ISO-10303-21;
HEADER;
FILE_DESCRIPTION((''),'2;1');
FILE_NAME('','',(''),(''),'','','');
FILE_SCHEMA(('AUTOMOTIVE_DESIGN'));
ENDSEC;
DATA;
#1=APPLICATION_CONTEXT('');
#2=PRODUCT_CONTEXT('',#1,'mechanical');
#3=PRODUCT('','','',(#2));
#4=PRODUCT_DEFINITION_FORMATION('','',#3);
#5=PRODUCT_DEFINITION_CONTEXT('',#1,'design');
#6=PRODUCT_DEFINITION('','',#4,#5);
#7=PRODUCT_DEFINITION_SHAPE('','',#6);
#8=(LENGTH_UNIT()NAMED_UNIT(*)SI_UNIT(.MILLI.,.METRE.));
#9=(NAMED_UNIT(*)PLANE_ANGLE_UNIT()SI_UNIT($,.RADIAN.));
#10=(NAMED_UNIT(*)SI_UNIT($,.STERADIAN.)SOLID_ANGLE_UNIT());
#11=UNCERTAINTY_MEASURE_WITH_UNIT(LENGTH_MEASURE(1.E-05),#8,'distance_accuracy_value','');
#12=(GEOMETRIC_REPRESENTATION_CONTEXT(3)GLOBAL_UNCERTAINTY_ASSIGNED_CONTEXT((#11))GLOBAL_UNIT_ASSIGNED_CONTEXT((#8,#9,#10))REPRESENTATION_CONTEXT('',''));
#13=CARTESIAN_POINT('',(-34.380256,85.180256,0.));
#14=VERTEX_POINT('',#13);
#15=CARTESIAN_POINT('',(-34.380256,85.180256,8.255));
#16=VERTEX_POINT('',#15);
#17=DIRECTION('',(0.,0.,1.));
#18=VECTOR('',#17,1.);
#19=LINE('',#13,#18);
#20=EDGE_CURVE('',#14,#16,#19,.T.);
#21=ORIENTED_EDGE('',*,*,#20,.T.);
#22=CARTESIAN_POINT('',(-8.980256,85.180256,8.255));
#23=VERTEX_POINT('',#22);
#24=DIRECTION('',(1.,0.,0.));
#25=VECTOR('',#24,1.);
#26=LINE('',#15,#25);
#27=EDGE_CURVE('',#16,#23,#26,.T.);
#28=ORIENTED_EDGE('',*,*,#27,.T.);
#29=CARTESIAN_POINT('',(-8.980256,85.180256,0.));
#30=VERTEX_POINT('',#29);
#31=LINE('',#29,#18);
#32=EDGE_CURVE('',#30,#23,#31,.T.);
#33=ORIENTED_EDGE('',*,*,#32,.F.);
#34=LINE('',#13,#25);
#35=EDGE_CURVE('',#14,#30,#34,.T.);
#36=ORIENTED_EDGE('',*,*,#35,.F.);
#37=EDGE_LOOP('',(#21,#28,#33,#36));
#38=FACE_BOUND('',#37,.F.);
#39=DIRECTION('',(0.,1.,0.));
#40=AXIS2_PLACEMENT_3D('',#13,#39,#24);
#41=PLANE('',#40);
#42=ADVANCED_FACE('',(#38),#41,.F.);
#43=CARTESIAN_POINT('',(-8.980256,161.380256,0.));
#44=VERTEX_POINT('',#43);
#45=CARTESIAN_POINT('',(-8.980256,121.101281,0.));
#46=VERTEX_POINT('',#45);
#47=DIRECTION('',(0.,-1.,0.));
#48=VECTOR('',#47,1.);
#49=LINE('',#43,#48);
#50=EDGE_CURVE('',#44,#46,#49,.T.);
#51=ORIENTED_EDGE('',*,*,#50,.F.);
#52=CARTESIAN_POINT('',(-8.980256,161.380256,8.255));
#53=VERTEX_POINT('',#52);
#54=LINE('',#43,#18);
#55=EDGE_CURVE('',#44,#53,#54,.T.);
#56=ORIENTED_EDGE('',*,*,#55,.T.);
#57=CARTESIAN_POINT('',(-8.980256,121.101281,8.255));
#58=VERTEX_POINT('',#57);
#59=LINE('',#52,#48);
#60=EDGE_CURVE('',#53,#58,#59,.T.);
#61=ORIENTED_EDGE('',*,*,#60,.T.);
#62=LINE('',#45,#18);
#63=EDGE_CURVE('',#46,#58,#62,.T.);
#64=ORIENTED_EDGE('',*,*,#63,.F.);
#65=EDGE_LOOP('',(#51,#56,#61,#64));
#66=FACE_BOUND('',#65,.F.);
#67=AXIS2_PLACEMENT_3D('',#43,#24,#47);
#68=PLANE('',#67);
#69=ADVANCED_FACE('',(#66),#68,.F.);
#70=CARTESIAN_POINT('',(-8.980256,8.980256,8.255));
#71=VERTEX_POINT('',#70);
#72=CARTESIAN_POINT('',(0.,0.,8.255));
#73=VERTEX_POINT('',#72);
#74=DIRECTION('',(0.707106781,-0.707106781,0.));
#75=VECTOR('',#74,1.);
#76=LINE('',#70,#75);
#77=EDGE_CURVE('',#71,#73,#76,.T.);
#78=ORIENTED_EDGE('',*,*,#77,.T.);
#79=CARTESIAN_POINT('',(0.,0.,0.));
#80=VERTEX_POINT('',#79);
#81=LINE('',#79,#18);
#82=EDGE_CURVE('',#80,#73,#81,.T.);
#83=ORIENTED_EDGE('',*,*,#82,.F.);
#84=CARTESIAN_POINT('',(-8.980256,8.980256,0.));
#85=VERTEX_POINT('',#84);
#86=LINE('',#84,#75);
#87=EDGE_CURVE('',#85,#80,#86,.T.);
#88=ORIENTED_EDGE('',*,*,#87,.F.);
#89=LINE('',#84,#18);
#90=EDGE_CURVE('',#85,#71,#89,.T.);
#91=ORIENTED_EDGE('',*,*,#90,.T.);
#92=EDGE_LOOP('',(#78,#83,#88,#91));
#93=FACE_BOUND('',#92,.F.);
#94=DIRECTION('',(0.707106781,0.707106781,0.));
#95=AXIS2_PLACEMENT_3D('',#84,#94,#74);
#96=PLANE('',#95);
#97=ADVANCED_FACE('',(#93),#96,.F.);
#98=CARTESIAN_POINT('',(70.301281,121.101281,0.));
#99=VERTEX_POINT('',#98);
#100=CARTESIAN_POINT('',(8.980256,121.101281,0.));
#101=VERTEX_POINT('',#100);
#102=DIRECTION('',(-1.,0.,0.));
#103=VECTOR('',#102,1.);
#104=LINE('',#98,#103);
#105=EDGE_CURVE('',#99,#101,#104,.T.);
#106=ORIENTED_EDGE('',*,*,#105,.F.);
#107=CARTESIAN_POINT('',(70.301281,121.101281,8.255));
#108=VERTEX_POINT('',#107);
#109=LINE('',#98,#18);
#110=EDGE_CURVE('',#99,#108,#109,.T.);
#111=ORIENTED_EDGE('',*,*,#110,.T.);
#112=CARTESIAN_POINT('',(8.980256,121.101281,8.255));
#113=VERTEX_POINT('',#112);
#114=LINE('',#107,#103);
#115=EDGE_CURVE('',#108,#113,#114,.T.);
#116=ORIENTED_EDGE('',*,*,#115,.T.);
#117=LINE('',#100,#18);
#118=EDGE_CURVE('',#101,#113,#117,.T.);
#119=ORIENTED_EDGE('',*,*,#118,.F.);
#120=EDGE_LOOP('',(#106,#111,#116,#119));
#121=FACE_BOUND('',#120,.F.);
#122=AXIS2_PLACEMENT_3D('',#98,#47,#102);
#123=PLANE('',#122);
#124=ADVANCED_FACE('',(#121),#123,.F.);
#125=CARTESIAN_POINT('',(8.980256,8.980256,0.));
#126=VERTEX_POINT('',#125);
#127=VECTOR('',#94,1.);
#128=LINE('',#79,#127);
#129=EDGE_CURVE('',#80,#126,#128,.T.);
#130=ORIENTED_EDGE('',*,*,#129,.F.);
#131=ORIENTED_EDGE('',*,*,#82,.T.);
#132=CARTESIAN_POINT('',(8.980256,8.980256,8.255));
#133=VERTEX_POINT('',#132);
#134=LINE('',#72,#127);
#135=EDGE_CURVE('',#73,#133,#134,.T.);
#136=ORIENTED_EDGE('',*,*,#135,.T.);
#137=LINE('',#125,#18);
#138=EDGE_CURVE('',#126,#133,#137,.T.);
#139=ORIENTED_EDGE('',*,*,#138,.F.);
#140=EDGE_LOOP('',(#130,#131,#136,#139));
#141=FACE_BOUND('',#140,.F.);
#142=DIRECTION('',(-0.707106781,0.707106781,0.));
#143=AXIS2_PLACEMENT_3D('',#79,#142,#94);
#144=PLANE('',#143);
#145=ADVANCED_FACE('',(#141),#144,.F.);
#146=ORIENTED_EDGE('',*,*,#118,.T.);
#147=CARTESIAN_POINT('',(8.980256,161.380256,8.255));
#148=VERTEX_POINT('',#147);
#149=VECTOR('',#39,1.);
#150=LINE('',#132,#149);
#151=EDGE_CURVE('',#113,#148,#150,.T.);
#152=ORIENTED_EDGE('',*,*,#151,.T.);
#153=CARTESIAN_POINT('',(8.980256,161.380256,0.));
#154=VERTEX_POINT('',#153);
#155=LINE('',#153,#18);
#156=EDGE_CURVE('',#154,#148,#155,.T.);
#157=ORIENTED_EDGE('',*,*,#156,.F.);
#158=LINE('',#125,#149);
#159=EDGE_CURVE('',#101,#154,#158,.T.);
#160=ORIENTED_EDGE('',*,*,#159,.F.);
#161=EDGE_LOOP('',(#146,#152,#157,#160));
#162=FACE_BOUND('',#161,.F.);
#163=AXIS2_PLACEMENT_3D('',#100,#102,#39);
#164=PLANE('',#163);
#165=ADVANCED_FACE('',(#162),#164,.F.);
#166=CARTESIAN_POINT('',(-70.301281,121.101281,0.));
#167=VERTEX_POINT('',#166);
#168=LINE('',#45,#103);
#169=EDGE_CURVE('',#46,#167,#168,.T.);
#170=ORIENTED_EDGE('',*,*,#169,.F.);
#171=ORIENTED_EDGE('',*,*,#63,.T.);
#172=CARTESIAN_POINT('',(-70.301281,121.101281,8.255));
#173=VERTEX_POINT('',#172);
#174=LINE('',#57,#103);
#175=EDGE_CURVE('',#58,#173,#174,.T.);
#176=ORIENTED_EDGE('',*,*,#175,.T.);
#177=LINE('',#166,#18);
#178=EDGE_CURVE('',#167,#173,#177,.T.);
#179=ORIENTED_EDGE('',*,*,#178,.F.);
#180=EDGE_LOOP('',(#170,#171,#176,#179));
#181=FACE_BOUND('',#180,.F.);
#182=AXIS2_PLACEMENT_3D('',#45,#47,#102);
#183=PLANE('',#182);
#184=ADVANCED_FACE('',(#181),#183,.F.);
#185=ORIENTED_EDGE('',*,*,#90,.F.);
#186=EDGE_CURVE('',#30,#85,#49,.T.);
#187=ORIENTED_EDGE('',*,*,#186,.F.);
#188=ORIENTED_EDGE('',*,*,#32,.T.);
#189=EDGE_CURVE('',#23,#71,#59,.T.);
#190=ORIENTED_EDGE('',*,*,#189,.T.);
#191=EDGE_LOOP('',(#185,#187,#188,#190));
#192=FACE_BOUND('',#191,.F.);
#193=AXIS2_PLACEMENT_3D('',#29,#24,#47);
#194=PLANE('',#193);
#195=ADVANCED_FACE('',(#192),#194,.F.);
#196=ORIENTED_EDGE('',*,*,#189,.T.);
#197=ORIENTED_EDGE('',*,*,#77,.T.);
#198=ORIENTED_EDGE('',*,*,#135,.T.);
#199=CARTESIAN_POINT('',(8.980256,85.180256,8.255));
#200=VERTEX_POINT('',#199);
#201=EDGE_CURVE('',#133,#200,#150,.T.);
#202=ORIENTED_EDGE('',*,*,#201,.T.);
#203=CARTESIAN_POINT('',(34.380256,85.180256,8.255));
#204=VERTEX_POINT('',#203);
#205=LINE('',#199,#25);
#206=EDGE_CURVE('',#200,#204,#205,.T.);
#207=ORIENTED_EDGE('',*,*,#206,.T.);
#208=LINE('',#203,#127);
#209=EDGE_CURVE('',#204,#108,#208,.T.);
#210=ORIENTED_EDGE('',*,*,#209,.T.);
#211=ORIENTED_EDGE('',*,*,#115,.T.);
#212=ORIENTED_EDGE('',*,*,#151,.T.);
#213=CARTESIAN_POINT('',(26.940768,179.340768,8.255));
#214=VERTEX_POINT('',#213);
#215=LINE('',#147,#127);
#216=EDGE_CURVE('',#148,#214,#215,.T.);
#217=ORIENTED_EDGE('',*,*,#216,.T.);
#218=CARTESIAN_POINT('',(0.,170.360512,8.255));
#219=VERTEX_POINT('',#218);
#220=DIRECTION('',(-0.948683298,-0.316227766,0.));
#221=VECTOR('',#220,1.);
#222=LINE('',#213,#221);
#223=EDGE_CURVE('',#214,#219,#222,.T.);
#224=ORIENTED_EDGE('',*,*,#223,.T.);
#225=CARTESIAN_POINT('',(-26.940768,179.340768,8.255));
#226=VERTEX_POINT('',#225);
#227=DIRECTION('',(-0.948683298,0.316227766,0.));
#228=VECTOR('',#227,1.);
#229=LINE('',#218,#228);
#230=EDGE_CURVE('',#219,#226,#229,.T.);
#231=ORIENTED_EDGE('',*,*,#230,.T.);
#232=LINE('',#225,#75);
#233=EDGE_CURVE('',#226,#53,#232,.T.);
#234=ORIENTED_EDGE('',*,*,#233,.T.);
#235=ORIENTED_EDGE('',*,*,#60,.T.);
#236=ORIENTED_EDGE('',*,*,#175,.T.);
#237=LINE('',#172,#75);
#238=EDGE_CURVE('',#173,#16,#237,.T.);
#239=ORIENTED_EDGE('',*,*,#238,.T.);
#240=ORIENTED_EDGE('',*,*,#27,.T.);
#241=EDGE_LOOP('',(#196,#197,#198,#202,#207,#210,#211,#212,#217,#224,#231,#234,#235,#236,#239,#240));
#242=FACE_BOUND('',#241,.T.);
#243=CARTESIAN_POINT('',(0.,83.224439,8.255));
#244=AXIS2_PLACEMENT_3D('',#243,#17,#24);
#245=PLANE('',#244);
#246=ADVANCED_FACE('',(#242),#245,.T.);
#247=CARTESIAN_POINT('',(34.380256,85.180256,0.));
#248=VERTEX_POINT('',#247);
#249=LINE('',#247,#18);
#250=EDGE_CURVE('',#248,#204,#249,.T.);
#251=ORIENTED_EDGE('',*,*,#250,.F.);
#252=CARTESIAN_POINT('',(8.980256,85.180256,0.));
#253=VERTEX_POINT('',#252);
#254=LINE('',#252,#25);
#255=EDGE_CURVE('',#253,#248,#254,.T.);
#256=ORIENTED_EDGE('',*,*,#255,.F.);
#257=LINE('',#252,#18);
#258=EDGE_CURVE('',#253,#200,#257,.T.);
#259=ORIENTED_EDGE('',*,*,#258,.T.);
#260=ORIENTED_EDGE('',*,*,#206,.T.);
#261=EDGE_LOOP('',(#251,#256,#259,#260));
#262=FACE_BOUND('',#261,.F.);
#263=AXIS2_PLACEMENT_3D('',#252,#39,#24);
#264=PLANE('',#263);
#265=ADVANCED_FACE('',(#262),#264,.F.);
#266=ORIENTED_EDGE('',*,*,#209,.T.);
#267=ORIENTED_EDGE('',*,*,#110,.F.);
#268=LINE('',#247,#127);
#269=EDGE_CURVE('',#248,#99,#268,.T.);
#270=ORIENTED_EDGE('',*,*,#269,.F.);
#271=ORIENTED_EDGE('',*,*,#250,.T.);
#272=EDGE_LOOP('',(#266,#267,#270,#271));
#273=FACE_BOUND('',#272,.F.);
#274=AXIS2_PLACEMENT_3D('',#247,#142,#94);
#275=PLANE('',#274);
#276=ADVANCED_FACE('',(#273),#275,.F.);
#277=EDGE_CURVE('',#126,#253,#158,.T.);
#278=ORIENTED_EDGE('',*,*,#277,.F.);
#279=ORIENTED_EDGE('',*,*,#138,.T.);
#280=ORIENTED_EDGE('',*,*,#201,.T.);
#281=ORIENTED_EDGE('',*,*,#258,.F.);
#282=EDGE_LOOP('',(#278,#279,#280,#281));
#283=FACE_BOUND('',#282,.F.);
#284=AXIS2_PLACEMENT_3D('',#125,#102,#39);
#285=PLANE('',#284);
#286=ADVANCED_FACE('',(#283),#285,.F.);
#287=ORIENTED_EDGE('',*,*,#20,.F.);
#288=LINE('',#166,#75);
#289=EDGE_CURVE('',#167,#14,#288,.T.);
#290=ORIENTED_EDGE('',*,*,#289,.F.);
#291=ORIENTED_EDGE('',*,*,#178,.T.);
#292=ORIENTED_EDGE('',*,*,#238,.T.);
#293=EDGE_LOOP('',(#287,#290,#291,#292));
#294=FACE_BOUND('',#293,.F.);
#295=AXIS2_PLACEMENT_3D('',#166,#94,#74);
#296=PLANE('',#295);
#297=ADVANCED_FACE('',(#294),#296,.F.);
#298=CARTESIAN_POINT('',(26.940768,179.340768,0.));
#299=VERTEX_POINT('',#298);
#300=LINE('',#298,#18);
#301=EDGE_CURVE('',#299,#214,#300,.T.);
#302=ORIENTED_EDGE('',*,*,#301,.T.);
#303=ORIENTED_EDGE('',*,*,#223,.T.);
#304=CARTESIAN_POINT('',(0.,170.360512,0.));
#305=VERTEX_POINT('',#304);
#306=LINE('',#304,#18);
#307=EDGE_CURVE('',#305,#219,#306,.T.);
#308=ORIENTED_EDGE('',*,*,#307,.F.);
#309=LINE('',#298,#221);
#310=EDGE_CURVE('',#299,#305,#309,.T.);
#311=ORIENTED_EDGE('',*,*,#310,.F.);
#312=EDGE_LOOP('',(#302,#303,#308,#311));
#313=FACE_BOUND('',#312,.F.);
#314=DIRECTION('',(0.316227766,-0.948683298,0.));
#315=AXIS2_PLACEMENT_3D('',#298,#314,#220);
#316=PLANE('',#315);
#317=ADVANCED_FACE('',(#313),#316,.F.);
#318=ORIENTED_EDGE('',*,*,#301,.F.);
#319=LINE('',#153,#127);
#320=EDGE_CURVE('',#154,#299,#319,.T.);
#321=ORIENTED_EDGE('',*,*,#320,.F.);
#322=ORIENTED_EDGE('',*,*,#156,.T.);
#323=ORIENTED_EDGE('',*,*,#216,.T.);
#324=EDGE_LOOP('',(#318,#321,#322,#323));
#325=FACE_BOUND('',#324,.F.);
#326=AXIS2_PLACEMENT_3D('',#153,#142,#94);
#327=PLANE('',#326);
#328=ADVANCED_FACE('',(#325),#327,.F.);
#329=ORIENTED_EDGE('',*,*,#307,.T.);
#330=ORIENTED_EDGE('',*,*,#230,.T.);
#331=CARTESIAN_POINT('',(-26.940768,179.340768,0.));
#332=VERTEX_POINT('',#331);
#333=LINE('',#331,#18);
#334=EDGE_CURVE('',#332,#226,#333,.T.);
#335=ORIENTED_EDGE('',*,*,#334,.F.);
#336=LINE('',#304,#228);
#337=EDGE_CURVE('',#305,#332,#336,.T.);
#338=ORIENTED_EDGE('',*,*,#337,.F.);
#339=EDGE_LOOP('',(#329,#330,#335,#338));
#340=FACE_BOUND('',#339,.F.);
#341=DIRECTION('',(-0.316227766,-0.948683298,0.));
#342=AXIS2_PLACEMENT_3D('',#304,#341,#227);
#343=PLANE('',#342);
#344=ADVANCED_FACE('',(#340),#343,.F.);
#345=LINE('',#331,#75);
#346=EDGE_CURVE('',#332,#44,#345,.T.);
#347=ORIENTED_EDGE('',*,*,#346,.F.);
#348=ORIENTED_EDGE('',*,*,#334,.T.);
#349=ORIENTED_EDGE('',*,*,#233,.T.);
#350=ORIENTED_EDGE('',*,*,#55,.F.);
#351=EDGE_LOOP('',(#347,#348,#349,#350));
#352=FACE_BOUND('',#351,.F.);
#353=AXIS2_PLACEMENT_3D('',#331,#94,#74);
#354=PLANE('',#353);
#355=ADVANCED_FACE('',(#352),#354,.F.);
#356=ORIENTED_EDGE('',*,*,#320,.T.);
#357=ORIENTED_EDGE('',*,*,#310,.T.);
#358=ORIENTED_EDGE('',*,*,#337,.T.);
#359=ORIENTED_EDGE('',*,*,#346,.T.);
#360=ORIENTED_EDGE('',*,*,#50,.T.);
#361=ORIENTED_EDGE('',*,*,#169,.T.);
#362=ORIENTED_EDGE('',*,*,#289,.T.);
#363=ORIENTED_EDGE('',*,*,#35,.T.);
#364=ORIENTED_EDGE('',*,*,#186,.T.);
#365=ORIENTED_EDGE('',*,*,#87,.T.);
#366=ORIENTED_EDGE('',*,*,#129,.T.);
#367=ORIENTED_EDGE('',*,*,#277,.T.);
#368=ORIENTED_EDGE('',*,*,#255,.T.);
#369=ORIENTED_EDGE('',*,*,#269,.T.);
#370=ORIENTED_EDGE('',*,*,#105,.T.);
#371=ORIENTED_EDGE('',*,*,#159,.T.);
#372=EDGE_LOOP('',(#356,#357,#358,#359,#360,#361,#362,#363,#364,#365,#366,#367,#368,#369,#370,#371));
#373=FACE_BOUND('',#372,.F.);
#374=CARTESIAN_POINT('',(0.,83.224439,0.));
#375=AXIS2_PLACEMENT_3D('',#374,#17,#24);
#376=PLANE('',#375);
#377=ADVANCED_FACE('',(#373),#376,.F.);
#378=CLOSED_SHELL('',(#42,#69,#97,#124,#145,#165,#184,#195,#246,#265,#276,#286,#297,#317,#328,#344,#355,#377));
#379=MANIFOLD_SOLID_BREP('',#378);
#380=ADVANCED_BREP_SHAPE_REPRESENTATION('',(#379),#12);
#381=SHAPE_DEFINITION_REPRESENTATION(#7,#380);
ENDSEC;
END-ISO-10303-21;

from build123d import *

# Parameters (mm, degrees)
F1_DEPTH = 8.255


with BuildPart() as f1:
    # F0 (on Top) → F1 (new body)
    with BuildSketch(Plane.XY):
        Polygon((-8.980256, 8.980256), (0, 0), (8.980256, 8.980256), (8.980256, 85.180256), (8.980256, 121.101281), (8.980256, 161.380256), (-8.980256, 161.380256), (-8.980256, 121.101281), (-8.980256, 85.180256), align=None)
        Polygon((8.980256, 121.101281), (8.980256, 85.180256), (34.380256, 85.180256), (70.301281, 121.101281), align=None)
        Polygon((-34.380256, 85.180256), (-8.980256, 85.180256), (-8.980256, 121.101281), (-70.301281, 121.101281), align=None)
        Polygon((-8.980256, 161.380256), (8.980256, 161.380256), (26.940768, 179.340768), (0, 170.360512), (-26.940768, 179.340768), align=None)
    extrude(amount=F1_DEPTH)


solid = f1.part
